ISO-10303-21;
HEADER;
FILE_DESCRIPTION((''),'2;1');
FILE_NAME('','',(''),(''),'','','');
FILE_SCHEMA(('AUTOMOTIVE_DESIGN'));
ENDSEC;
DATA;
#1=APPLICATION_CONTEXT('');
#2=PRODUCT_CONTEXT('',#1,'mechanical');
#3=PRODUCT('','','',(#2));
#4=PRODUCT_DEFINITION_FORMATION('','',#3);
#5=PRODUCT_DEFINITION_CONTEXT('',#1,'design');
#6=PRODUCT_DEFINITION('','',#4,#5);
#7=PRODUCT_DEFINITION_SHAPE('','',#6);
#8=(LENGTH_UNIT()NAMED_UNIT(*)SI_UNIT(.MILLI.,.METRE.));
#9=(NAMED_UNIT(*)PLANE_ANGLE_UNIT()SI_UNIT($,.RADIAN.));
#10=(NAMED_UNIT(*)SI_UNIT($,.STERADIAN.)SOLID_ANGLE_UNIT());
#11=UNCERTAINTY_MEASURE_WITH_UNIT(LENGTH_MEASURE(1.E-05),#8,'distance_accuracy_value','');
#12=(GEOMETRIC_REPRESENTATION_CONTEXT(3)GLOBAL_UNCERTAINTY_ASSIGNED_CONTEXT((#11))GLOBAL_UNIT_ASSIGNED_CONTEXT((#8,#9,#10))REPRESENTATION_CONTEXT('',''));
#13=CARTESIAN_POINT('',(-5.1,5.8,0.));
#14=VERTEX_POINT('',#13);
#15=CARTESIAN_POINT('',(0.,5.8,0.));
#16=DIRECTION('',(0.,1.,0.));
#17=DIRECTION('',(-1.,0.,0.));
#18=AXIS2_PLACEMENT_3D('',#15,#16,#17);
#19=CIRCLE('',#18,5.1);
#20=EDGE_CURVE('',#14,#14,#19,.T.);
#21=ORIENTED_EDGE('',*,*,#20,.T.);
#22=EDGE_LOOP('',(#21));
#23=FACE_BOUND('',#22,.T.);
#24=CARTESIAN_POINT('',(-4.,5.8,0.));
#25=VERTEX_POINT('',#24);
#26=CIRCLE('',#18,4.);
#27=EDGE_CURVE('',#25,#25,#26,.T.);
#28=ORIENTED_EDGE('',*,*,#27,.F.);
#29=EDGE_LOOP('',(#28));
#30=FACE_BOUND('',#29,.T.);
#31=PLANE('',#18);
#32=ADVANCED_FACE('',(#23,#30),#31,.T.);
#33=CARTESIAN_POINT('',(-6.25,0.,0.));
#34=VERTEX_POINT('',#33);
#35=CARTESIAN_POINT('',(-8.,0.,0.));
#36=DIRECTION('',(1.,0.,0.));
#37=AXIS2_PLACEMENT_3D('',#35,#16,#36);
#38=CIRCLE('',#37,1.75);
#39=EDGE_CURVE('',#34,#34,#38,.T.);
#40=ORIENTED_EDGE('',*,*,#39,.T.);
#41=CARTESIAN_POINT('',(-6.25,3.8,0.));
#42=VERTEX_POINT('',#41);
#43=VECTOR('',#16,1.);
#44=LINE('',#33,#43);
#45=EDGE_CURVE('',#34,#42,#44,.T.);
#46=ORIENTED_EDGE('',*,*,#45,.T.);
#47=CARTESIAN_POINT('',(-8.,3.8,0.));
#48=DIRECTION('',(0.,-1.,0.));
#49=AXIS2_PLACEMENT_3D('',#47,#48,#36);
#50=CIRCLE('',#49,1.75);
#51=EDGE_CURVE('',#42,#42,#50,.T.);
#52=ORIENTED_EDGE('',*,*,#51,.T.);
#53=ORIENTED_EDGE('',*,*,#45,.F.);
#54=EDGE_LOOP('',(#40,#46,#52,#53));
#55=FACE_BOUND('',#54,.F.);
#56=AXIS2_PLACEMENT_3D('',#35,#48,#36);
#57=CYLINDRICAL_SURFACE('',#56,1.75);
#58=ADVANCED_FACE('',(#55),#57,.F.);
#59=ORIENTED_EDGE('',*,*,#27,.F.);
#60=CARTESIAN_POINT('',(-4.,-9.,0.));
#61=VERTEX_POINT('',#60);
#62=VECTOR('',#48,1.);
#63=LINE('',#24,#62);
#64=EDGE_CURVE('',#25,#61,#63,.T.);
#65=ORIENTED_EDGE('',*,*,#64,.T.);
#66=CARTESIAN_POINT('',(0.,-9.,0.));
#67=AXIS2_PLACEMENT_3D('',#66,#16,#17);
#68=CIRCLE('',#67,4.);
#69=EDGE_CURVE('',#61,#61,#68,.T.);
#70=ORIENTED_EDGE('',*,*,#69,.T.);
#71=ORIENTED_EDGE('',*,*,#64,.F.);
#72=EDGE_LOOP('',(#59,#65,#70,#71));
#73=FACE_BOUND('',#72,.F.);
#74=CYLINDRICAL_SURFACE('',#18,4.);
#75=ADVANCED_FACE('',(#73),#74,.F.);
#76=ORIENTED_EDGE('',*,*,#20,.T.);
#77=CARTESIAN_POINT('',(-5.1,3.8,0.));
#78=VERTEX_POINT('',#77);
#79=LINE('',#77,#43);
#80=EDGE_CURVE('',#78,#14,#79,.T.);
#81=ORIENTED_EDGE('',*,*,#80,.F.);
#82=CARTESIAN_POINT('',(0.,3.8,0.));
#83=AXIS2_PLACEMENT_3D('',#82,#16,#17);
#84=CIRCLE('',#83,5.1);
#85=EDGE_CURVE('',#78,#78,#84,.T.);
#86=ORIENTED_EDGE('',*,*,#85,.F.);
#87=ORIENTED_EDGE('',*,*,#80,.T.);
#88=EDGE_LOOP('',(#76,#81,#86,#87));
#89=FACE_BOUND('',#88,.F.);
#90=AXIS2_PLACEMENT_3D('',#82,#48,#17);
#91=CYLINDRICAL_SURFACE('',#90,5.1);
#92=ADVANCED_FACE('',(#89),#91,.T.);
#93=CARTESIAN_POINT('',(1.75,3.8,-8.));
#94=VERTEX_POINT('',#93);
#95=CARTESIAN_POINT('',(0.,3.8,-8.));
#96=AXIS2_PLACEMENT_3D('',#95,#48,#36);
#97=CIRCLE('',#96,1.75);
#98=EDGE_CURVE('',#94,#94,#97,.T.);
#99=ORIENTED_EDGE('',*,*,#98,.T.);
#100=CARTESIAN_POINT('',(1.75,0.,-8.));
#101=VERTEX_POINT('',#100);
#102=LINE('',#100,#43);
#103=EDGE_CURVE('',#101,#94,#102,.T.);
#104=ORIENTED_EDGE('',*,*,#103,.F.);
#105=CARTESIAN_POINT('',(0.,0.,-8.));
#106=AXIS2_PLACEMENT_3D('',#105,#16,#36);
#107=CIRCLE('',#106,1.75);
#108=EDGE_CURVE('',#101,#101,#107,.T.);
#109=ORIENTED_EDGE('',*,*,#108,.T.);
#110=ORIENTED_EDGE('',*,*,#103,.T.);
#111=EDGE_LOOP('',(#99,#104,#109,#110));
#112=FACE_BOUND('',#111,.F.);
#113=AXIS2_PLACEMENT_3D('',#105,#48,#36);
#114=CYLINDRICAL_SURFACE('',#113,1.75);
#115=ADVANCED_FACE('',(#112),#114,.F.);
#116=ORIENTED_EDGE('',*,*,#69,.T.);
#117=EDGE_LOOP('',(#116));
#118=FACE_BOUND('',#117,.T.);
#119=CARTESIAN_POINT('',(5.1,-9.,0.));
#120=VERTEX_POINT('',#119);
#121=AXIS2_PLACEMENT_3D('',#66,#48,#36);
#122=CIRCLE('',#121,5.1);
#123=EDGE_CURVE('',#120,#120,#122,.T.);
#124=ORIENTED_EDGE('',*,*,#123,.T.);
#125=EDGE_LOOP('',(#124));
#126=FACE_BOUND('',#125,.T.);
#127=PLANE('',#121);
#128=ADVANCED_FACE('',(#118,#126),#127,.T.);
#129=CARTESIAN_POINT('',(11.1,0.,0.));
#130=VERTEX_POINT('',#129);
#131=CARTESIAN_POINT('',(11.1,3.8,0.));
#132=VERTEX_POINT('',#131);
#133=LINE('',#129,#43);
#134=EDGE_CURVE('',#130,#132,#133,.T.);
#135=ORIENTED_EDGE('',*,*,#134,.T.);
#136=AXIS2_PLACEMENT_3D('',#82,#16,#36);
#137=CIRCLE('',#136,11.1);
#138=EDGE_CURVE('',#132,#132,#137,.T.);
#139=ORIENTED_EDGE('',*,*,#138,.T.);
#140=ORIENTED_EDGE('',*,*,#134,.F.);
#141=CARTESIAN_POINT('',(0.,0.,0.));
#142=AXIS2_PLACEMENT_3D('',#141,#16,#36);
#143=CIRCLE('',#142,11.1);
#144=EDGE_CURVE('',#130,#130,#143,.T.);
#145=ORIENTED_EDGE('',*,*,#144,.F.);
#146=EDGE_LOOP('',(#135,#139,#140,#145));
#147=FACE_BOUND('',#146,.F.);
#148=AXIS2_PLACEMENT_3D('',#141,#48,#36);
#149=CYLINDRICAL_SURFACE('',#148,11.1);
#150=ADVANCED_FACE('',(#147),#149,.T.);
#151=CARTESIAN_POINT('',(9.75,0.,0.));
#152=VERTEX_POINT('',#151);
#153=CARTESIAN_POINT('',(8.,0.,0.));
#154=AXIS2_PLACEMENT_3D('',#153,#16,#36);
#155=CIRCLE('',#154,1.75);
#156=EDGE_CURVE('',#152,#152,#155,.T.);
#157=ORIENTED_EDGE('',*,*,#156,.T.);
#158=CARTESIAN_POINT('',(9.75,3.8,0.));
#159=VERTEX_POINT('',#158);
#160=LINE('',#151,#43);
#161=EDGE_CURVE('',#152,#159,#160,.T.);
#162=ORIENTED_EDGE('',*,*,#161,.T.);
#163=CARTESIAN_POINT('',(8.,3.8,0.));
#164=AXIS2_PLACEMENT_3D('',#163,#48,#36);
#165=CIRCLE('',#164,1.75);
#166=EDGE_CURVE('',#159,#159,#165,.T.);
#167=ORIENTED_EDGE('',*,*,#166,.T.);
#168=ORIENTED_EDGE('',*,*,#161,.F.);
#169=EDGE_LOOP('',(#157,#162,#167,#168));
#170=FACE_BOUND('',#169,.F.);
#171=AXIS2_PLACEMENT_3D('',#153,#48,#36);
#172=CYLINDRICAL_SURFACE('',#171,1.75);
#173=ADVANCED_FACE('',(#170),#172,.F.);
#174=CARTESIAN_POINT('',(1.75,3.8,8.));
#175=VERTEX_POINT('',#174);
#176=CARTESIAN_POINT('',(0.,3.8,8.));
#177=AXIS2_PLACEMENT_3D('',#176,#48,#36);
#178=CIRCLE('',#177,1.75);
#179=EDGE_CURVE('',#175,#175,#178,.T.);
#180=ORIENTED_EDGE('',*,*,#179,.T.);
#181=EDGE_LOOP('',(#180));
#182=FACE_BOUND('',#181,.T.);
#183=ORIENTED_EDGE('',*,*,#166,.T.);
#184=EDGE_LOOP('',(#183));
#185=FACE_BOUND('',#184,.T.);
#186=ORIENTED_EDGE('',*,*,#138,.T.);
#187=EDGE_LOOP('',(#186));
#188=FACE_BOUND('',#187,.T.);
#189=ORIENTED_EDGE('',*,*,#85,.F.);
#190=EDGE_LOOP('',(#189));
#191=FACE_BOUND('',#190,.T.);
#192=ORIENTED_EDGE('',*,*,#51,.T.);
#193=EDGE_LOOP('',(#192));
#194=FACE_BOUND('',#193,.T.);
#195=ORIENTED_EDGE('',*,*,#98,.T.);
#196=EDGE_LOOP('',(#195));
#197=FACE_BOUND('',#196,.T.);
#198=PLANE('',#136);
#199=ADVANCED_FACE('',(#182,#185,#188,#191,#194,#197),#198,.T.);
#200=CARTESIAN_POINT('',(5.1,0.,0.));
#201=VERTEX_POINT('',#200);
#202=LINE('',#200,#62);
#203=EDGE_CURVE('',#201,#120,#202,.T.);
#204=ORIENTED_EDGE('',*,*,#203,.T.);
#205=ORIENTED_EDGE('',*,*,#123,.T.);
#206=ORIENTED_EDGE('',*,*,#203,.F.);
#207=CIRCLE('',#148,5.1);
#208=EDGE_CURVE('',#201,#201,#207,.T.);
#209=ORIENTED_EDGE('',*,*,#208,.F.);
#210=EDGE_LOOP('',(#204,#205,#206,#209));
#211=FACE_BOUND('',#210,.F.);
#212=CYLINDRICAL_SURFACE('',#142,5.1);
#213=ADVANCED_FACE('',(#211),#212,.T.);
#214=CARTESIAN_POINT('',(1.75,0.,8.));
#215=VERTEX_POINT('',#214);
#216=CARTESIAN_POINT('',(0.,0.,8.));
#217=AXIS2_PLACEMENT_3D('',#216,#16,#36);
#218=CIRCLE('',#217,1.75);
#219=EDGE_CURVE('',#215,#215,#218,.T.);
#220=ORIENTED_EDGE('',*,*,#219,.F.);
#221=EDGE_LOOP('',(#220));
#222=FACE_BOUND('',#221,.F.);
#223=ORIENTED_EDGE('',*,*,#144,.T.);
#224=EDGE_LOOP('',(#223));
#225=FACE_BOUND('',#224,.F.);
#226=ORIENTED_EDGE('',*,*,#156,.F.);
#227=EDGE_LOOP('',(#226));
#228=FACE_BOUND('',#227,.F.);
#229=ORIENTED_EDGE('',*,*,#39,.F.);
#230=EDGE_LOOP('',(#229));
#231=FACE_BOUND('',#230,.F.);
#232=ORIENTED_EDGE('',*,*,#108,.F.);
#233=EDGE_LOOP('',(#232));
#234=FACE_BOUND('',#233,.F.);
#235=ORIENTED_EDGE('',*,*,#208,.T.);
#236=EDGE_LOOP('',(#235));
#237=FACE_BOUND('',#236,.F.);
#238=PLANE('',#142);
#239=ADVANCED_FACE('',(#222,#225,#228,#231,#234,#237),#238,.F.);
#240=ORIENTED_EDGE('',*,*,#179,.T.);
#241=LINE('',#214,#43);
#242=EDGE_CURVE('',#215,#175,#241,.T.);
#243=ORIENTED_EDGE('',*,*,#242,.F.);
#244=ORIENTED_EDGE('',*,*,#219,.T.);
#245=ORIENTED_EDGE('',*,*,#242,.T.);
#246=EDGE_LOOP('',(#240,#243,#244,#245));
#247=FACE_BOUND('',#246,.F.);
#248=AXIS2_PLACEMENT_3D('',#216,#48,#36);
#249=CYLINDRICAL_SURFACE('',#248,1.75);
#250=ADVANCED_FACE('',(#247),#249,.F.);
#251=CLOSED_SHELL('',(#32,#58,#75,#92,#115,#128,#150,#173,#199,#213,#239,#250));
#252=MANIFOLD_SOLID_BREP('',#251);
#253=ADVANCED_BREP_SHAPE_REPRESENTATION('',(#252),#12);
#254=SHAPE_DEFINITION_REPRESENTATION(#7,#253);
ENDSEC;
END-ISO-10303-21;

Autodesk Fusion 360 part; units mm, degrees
sketch "Sketch1" plane through (0, 0, 0) normal (0, 1, 0) x (1, 0, 0)
  circle A0 centre (0, 0) radius 11.1
  dimension "d1" = 22.2
extrude "Extrude1" add sketch "Sketch1" along normal blind 3.8
sketch "Sketch2" plane through (0, 0, 0) normal (0, -1, 0) x (1, 0, 0)
  circle A0 centre (0, 0) radius 11.1
  circle A1 centre (0, 0) radius 5.1
  dimension "d4" = 10.2
extrude "Extrude2" add sketch "Sketch2" along normal blind 9 contours A1
sketch "Sketch3" plane through (0, 3.8, 0) normal (0, 1, 0) x (-1, 0, 0)
  circle A0 centre (0, 0) radius 11.1
  circle A1 centre (0, 0) radius 5.1
  dimension "d7" = 10.2
extrude "Extrude3" add sketch "Sketch3" along normal blind 2 contours A1
sketch "Sketch4" plane through (0, 5.8, 0) normal (0, 1, 0) x (-1, 0, 0)
  circle A0 centre (0, 0) radius 5.1
  circle A1 centre (0, 0) radius 4
  dimension "d10" = 8
extrude "Extrude4" cut sketch "Sketch4" against normal blind 17 contours A1
sketch "Sketch5" plane through (0, 0, 0) normal (0, -1, 0) x (1, 0, 0)
  circle A0 centre (0, 0) radius 5.1
  circle A1 centre (0, 0) radius 11.1
  circle A2 centre (0, 0) radius 8
  circle A3 centre (-8, 0) radius 1.75
  line L0 (0, 0) -> (-16, 0)
  line L1 (-16, 0) -> (-16, 13)
  line L2 (-16, 13) -> (0, 13)
  line L3 (0, 13) -> (0, 0)
  line L4 (0, 0) -> (14, 0)
  line L5 (14, 0) -> (14, -12)
  line L6 (14, -12) -> (0, -12)
  line L7 (0, -12) -> (0, 0)
  circle A4 centre (0, 8) radius 1.75
  circle A5 centre (0, -8) radius 1.75
  circle A6 centre (8, 0) radius 1.75
  dimension "d13" = 16
  dimension "d14" = 3.5
  dimension "d15" = 3.5
  dimension "d16" = 3.5
  dimension "d17" = 3.5
extrude "Extrude5" cut sketch "Sketch5" against normal blind 7 contours A2 L4 A6 | A2 L4 A6 | A2 L3 A4 | A2 L3 A4 | A2 L7 A5 | A2 L7 A5 | A2 L4 A6 | A2 L4 A6 | A2 A3 L0 | A2 A3 L0 | A2 L3 A4 | A2 L3 A4 | A2 L7 A5 | A2 L7 A5 | A2 A3 L0 | A2 A3 L0
